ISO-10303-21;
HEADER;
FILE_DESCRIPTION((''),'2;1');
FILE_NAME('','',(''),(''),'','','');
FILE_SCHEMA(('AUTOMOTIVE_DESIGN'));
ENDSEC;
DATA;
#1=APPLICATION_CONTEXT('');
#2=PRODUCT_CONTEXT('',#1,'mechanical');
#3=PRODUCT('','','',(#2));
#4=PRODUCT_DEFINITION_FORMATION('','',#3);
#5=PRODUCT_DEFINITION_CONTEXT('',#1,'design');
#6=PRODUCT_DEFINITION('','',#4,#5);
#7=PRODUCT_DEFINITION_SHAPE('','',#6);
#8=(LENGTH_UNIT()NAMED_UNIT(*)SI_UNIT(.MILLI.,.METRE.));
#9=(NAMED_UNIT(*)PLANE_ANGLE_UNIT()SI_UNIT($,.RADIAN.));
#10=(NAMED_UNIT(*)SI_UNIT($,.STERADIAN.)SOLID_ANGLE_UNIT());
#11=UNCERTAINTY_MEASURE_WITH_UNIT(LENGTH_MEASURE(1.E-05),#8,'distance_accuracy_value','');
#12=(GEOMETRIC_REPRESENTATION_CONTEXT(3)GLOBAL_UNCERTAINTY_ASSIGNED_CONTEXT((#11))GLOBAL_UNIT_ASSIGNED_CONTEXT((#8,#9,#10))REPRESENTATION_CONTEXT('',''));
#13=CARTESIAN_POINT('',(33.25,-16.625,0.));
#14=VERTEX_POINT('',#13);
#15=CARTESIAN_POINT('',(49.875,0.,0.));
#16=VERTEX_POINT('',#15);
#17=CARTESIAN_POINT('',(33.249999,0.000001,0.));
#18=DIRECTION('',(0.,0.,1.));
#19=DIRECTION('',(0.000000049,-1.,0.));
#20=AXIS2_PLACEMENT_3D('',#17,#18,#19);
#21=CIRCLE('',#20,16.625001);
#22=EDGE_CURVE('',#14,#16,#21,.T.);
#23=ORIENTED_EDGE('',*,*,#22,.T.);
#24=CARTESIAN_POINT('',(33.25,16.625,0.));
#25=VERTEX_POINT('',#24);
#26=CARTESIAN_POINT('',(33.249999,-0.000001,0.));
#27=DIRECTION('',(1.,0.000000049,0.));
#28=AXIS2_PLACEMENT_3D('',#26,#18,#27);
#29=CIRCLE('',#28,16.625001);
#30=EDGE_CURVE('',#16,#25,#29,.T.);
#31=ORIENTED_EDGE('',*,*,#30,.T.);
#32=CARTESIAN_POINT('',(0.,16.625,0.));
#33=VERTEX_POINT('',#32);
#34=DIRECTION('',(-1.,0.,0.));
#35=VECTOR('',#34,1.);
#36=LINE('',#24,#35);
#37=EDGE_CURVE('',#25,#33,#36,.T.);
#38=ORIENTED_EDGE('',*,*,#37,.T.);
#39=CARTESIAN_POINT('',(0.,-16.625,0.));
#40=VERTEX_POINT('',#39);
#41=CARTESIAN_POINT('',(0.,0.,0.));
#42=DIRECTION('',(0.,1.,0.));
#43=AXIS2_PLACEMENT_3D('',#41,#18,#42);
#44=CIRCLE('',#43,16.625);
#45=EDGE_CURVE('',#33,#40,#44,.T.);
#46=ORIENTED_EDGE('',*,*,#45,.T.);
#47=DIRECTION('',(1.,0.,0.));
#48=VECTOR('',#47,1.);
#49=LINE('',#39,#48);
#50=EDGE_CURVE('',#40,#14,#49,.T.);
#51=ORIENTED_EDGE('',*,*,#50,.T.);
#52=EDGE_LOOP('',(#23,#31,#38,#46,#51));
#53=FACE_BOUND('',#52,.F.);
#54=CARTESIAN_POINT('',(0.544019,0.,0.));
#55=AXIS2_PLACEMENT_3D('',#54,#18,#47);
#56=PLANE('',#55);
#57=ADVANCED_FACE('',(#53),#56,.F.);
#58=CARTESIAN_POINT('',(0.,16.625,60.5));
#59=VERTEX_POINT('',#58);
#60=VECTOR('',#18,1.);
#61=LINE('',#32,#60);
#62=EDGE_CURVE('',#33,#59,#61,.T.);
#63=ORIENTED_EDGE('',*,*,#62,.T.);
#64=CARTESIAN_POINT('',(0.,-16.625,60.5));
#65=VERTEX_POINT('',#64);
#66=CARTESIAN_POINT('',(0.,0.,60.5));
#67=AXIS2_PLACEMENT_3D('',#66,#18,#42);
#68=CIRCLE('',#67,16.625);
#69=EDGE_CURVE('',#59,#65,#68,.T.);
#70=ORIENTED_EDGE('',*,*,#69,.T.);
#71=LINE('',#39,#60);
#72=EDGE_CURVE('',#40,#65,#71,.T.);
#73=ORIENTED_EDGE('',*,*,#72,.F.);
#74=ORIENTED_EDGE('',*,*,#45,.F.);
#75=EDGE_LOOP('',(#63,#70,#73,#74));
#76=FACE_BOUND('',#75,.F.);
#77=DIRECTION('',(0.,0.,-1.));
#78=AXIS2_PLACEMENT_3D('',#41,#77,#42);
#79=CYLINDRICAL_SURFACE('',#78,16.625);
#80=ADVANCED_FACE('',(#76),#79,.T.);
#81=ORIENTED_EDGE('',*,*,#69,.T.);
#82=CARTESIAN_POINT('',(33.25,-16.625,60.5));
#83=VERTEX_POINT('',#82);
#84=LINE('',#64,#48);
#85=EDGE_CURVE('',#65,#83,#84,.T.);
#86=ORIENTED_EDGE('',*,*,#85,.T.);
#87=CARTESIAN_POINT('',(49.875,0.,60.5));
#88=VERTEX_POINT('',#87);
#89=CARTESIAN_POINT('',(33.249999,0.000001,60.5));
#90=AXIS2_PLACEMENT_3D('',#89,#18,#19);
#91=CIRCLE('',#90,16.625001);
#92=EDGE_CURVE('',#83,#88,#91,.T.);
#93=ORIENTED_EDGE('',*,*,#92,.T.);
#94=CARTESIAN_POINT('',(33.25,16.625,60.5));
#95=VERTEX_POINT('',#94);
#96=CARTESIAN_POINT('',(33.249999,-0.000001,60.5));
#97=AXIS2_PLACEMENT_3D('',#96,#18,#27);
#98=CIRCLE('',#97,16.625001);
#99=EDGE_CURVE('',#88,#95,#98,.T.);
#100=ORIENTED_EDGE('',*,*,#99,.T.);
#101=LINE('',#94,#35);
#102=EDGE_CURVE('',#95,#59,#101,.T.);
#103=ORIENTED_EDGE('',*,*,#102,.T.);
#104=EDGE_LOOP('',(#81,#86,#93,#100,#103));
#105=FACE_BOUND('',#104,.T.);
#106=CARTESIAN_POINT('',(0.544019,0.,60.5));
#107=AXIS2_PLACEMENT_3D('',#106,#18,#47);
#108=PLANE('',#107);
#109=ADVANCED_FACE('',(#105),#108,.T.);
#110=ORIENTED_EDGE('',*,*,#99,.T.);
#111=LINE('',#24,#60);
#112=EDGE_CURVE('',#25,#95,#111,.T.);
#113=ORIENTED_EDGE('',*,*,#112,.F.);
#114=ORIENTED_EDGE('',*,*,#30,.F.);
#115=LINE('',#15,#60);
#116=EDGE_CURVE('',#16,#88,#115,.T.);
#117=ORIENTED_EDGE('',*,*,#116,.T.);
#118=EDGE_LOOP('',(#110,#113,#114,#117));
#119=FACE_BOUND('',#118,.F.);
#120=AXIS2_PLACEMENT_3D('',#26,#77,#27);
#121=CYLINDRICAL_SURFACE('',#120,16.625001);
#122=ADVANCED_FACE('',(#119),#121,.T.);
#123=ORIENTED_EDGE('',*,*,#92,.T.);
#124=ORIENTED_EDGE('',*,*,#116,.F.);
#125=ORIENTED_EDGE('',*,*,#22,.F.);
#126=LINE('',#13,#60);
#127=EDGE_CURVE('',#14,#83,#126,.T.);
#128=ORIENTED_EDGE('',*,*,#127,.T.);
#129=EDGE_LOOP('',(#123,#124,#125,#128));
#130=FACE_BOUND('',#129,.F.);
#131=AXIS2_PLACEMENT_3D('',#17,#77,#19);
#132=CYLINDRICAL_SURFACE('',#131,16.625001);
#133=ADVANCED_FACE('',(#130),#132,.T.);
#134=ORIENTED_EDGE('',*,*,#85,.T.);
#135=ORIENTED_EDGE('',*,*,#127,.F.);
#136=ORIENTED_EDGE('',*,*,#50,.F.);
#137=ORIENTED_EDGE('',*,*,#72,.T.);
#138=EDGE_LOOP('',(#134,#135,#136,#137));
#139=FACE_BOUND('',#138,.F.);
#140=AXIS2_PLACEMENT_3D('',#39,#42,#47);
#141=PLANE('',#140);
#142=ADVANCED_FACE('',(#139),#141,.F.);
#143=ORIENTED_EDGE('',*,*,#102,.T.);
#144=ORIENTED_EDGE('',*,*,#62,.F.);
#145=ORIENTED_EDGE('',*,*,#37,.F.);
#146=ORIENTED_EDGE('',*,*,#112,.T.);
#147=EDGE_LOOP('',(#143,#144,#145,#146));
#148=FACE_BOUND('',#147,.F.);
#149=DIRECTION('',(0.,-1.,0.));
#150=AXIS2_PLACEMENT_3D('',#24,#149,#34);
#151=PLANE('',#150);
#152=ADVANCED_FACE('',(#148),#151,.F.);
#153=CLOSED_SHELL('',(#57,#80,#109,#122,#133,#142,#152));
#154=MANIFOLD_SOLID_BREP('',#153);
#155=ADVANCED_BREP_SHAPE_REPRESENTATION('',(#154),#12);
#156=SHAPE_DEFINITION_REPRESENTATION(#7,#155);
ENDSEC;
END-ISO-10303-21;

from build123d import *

# Parameters (mm, degrees)
F1_DEPTH = 60.5


with BuildPart() as f1:
    # F0 (on Top) → F1 (new body)
    with BuildSketch(Plane.XY):
        with BuildLine():
            ThreePointArc((0, -16.625), (11.75565, -11.75565), (16.625, 0))
            ThreePointArc((16.625, 0), (11.75565, 11.75565), (0, 16.625))
            ThreePointArc((0, 16.625), (-16.625, 0), (0, -16.625))
        make_face()
        with BuildLine():
            ThreePointArc((0, 16.625), (11.75565, 11.75565), (16.625, 0))
            ThreePointArc((16.625, 0), (21.49435, 11.75565), (33.25, 16.625))
            Line((33.25, 16.625), (0, 16.625))
        make_face()
        with BuildLine():
            ThreePointArc((33.25, 16.625), (21.49435, 11.75565), (16.625, 0))
            ThreePointArc((16.625, 0), (21.49435, -11.75565), (33.25, -16.625))
            ThreePointArc((33.25, -16.625), (45.00565, -11.75565), (49.875, 0))
            ThreePointArc((49.875, 0), (45.00565, 11.75565), (33.25, 16.625))
        make_face()
        with BuildLine():
            ThreePointArc((33.25, -16.625), (21.49435, -11.75565), (16.625, 0))
            ThreePointArc((16.625, 0), (11.75565, -11.75565), (0, -16.625))
            Line((0, -16.625), (33.25, -16.625))
        make_face()
    extrude(amount=F1_DEPTH)


solid = f1.part
